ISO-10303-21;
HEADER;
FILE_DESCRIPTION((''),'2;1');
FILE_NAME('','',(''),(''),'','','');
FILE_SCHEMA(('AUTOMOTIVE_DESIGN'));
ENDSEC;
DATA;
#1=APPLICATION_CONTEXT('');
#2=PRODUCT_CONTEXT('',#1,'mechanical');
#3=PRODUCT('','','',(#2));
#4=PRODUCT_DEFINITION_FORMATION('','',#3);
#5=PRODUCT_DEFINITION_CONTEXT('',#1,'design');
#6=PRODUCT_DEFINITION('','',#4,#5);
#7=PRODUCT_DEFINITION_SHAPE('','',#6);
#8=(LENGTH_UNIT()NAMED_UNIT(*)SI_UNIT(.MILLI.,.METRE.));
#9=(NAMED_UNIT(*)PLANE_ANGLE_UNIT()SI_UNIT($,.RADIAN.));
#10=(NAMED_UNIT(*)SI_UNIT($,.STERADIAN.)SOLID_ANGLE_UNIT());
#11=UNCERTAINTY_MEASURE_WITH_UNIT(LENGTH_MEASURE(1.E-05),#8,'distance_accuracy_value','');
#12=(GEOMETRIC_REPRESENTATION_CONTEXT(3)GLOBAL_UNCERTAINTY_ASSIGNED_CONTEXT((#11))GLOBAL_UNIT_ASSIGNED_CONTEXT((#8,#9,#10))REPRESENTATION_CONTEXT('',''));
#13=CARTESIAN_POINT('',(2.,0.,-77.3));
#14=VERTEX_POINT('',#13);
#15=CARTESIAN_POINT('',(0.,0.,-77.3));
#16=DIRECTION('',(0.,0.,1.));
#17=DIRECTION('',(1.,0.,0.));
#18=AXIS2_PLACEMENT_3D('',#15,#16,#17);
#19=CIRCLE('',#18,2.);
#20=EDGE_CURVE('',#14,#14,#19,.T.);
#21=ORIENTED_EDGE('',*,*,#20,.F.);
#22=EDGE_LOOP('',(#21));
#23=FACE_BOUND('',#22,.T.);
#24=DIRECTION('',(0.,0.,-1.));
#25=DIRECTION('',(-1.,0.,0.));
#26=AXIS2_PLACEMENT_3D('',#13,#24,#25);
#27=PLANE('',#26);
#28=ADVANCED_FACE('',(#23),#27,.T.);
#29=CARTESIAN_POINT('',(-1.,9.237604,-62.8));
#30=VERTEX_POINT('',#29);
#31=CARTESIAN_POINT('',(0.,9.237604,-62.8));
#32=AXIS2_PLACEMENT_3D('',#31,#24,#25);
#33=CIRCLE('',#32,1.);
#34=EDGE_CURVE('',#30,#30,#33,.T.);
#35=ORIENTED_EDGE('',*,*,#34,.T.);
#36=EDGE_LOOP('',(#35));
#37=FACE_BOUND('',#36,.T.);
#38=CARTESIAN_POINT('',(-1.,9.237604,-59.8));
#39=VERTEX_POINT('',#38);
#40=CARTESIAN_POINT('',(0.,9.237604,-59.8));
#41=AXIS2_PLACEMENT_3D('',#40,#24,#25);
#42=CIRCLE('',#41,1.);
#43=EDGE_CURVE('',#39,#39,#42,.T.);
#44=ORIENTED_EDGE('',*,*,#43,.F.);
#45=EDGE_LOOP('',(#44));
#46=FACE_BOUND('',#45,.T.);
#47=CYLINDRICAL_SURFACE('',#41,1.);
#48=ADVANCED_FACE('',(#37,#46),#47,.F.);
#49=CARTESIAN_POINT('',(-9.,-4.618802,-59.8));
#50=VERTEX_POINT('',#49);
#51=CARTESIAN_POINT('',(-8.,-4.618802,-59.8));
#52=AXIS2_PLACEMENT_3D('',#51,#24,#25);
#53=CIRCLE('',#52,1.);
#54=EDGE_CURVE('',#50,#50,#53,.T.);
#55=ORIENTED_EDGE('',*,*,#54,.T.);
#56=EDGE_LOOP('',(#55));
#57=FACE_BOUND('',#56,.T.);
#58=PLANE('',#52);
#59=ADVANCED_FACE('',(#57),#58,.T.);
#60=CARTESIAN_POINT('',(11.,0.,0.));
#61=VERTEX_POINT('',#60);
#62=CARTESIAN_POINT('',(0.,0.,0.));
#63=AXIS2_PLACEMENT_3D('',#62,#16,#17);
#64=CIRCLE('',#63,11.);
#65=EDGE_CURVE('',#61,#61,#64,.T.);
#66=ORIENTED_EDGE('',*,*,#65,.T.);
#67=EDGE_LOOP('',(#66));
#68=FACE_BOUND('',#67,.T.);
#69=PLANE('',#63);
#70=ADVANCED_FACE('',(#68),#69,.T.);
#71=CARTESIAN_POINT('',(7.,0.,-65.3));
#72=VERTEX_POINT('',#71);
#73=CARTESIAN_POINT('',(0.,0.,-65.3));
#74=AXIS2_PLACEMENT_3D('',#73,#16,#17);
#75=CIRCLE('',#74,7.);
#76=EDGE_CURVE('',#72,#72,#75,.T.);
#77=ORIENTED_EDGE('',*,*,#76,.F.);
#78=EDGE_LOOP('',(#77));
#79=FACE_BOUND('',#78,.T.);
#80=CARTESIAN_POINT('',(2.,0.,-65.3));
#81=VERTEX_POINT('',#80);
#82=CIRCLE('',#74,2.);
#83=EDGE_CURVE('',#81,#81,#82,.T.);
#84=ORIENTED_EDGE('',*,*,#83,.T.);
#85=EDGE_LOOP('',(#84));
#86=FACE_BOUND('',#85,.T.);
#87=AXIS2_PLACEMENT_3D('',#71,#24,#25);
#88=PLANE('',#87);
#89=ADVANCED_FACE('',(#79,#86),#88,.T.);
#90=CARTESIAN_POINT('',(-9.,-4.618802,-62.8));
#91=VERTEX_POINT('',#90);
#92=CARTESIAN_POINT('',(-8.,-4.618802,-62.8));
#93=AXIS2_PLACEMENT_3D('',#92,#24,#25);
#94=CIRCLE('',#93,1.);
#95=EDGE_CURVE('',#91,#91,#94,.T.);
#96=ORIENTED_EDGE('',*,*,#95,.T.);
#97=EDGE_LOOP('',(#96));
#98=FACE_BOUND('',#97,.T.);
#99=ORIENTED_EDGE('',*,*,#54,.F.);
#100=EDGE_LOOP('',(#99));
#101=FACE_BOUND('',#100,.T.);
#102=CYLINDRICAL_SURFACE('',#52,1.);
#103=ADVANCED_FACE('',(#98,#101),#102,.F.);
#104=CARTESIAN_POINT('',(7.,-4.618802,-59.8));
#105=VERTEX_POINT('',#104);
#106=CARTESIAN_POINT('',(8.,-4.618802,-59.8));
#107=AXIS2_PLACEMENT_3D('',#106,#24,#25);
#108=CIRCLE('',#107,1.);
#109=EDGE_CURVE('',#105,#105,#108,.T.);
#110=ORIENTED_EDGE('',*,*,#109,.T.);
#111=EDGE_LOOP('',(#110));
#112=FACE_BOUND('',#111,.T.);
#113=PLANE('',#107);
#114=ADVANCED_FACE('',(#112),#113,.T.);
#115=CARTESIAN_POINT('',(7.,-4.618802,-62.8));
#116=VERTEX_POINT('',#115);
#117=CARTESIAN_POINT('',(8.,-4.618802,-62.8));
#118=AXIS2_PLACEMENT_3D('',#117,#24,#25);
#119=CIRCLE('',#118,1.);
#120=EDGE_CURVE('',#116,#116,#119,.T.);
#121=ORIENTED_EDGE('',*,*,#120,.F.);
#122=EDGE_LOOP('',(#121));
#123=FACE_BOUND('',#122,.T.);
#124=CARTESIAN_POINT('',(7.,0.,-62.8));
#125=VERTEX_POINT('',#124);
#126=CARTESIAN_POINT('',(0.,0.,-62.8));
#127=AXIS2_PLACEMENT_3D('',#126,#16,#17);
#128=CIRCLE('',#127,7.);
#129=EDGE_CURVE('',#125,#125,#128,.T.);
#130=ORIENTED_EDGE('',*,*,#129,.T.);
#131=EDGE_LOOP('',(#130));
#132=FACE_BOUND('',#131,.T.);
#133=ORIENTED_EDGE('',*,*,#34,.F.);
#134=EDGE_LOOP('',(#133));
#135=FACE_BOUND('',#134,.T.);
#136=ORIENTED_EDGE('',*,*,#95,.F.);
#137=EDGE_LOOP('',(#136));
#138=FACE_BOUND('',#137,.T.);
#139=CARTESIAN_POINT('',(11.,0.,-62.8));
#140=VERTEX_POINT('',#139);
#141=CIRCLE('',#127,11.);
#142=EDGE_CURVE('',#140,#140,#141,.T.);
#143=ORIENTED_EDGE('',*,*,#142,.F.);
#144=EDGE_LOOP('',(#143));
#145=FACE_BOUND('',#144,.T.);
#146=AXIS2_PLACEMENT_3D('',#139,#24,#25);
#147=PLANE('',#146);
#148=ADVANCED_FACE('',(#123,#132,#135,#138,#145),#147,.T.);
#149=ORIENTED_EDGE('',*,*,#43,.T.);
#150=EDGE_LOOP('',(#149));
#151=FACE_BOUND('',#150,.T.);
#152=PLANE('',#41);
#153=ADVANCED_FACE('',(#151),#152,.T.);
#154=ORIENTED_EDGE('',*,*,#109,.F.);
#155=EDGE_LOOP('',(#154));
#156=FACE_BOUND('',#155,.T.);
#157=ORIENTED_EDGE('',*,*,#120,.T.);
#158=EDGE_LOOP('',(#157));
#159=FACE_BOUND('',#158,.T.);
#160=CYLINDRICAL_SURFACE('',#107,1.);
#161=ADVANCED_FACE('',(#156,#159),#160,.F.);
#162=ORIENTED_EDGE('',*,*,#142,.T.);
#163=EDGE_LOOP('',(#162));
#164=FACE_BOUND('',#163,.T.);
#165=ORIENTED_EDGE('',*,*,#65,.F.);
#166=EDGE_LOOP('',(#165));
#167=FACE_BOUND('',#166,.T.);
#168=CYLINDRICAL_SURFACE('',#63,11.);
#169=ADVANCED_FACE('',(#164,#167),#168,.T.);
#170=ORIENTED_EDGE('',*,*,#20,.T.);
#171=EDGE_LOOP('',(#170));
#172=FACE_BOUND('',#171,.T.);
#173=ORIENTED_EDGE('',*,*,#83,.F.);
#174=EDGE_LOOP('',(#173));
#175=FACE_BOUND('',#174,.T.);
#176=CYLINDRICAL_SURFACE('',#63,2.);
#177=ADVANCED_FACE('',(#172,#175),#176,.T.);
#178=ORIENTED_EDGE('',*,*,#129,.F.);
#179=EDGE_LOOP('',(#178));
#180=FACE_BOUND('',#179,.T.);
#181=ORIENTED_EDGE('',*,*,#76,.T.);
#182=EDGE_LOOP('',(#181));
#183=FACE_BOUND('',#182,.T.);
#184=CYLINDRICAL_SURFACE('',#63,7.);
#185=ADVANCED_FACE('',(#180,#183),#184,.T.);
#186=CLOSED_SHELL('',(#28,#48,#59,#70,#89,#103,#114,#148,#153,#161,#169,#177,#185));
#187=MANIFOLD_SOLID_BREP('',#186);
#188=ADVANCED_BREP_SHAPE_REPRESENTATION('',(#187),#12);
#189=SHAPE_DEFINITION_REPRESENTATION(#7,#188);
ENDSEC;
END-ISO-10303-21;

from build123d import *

# Parameters (mm, degrees)
SKETCH2_R          = 1
CUT_EXTRUDE1_DEPTH = 3


with BuildPart() as part:
    # Sketch1 → Revolve1 (revolve)
    with BuildSketch(Plane(origin=(0, 0, 0), x_dir=(1, 0, 0), z_dir=(0, 1, 0))):
        Polygon((0, 0), (11, 0), (11, 62.8), (7, 62.8), (7, 65.3), (2, 65.3), (2, 77.3), (0, 77.3), align=None)
    revolve(axis=Axis((0, 0, 0), (0, 0, -1)))

    # Sketch2 → Cut-Extrude1 (cut)
    with BuildSketch(Plane(origin=(0, 0, -62.8), x_dir=(-1, 0, 0), z_dir=(0, 0, -1))):
        with Locations((-8, -4.618802154)):
            Circle(SKETCH2_R)
        with Locations((0, 9.237604307)):
            Circle(SKETCH2_R)
        with Locations((8, -4.618802154)):
            Circle(SKETCH2_R)
    extrude(amount=-CUT_EXTRUDE1_DEPTH, mode=Mode.SUBTRACT)


solid = part.part
